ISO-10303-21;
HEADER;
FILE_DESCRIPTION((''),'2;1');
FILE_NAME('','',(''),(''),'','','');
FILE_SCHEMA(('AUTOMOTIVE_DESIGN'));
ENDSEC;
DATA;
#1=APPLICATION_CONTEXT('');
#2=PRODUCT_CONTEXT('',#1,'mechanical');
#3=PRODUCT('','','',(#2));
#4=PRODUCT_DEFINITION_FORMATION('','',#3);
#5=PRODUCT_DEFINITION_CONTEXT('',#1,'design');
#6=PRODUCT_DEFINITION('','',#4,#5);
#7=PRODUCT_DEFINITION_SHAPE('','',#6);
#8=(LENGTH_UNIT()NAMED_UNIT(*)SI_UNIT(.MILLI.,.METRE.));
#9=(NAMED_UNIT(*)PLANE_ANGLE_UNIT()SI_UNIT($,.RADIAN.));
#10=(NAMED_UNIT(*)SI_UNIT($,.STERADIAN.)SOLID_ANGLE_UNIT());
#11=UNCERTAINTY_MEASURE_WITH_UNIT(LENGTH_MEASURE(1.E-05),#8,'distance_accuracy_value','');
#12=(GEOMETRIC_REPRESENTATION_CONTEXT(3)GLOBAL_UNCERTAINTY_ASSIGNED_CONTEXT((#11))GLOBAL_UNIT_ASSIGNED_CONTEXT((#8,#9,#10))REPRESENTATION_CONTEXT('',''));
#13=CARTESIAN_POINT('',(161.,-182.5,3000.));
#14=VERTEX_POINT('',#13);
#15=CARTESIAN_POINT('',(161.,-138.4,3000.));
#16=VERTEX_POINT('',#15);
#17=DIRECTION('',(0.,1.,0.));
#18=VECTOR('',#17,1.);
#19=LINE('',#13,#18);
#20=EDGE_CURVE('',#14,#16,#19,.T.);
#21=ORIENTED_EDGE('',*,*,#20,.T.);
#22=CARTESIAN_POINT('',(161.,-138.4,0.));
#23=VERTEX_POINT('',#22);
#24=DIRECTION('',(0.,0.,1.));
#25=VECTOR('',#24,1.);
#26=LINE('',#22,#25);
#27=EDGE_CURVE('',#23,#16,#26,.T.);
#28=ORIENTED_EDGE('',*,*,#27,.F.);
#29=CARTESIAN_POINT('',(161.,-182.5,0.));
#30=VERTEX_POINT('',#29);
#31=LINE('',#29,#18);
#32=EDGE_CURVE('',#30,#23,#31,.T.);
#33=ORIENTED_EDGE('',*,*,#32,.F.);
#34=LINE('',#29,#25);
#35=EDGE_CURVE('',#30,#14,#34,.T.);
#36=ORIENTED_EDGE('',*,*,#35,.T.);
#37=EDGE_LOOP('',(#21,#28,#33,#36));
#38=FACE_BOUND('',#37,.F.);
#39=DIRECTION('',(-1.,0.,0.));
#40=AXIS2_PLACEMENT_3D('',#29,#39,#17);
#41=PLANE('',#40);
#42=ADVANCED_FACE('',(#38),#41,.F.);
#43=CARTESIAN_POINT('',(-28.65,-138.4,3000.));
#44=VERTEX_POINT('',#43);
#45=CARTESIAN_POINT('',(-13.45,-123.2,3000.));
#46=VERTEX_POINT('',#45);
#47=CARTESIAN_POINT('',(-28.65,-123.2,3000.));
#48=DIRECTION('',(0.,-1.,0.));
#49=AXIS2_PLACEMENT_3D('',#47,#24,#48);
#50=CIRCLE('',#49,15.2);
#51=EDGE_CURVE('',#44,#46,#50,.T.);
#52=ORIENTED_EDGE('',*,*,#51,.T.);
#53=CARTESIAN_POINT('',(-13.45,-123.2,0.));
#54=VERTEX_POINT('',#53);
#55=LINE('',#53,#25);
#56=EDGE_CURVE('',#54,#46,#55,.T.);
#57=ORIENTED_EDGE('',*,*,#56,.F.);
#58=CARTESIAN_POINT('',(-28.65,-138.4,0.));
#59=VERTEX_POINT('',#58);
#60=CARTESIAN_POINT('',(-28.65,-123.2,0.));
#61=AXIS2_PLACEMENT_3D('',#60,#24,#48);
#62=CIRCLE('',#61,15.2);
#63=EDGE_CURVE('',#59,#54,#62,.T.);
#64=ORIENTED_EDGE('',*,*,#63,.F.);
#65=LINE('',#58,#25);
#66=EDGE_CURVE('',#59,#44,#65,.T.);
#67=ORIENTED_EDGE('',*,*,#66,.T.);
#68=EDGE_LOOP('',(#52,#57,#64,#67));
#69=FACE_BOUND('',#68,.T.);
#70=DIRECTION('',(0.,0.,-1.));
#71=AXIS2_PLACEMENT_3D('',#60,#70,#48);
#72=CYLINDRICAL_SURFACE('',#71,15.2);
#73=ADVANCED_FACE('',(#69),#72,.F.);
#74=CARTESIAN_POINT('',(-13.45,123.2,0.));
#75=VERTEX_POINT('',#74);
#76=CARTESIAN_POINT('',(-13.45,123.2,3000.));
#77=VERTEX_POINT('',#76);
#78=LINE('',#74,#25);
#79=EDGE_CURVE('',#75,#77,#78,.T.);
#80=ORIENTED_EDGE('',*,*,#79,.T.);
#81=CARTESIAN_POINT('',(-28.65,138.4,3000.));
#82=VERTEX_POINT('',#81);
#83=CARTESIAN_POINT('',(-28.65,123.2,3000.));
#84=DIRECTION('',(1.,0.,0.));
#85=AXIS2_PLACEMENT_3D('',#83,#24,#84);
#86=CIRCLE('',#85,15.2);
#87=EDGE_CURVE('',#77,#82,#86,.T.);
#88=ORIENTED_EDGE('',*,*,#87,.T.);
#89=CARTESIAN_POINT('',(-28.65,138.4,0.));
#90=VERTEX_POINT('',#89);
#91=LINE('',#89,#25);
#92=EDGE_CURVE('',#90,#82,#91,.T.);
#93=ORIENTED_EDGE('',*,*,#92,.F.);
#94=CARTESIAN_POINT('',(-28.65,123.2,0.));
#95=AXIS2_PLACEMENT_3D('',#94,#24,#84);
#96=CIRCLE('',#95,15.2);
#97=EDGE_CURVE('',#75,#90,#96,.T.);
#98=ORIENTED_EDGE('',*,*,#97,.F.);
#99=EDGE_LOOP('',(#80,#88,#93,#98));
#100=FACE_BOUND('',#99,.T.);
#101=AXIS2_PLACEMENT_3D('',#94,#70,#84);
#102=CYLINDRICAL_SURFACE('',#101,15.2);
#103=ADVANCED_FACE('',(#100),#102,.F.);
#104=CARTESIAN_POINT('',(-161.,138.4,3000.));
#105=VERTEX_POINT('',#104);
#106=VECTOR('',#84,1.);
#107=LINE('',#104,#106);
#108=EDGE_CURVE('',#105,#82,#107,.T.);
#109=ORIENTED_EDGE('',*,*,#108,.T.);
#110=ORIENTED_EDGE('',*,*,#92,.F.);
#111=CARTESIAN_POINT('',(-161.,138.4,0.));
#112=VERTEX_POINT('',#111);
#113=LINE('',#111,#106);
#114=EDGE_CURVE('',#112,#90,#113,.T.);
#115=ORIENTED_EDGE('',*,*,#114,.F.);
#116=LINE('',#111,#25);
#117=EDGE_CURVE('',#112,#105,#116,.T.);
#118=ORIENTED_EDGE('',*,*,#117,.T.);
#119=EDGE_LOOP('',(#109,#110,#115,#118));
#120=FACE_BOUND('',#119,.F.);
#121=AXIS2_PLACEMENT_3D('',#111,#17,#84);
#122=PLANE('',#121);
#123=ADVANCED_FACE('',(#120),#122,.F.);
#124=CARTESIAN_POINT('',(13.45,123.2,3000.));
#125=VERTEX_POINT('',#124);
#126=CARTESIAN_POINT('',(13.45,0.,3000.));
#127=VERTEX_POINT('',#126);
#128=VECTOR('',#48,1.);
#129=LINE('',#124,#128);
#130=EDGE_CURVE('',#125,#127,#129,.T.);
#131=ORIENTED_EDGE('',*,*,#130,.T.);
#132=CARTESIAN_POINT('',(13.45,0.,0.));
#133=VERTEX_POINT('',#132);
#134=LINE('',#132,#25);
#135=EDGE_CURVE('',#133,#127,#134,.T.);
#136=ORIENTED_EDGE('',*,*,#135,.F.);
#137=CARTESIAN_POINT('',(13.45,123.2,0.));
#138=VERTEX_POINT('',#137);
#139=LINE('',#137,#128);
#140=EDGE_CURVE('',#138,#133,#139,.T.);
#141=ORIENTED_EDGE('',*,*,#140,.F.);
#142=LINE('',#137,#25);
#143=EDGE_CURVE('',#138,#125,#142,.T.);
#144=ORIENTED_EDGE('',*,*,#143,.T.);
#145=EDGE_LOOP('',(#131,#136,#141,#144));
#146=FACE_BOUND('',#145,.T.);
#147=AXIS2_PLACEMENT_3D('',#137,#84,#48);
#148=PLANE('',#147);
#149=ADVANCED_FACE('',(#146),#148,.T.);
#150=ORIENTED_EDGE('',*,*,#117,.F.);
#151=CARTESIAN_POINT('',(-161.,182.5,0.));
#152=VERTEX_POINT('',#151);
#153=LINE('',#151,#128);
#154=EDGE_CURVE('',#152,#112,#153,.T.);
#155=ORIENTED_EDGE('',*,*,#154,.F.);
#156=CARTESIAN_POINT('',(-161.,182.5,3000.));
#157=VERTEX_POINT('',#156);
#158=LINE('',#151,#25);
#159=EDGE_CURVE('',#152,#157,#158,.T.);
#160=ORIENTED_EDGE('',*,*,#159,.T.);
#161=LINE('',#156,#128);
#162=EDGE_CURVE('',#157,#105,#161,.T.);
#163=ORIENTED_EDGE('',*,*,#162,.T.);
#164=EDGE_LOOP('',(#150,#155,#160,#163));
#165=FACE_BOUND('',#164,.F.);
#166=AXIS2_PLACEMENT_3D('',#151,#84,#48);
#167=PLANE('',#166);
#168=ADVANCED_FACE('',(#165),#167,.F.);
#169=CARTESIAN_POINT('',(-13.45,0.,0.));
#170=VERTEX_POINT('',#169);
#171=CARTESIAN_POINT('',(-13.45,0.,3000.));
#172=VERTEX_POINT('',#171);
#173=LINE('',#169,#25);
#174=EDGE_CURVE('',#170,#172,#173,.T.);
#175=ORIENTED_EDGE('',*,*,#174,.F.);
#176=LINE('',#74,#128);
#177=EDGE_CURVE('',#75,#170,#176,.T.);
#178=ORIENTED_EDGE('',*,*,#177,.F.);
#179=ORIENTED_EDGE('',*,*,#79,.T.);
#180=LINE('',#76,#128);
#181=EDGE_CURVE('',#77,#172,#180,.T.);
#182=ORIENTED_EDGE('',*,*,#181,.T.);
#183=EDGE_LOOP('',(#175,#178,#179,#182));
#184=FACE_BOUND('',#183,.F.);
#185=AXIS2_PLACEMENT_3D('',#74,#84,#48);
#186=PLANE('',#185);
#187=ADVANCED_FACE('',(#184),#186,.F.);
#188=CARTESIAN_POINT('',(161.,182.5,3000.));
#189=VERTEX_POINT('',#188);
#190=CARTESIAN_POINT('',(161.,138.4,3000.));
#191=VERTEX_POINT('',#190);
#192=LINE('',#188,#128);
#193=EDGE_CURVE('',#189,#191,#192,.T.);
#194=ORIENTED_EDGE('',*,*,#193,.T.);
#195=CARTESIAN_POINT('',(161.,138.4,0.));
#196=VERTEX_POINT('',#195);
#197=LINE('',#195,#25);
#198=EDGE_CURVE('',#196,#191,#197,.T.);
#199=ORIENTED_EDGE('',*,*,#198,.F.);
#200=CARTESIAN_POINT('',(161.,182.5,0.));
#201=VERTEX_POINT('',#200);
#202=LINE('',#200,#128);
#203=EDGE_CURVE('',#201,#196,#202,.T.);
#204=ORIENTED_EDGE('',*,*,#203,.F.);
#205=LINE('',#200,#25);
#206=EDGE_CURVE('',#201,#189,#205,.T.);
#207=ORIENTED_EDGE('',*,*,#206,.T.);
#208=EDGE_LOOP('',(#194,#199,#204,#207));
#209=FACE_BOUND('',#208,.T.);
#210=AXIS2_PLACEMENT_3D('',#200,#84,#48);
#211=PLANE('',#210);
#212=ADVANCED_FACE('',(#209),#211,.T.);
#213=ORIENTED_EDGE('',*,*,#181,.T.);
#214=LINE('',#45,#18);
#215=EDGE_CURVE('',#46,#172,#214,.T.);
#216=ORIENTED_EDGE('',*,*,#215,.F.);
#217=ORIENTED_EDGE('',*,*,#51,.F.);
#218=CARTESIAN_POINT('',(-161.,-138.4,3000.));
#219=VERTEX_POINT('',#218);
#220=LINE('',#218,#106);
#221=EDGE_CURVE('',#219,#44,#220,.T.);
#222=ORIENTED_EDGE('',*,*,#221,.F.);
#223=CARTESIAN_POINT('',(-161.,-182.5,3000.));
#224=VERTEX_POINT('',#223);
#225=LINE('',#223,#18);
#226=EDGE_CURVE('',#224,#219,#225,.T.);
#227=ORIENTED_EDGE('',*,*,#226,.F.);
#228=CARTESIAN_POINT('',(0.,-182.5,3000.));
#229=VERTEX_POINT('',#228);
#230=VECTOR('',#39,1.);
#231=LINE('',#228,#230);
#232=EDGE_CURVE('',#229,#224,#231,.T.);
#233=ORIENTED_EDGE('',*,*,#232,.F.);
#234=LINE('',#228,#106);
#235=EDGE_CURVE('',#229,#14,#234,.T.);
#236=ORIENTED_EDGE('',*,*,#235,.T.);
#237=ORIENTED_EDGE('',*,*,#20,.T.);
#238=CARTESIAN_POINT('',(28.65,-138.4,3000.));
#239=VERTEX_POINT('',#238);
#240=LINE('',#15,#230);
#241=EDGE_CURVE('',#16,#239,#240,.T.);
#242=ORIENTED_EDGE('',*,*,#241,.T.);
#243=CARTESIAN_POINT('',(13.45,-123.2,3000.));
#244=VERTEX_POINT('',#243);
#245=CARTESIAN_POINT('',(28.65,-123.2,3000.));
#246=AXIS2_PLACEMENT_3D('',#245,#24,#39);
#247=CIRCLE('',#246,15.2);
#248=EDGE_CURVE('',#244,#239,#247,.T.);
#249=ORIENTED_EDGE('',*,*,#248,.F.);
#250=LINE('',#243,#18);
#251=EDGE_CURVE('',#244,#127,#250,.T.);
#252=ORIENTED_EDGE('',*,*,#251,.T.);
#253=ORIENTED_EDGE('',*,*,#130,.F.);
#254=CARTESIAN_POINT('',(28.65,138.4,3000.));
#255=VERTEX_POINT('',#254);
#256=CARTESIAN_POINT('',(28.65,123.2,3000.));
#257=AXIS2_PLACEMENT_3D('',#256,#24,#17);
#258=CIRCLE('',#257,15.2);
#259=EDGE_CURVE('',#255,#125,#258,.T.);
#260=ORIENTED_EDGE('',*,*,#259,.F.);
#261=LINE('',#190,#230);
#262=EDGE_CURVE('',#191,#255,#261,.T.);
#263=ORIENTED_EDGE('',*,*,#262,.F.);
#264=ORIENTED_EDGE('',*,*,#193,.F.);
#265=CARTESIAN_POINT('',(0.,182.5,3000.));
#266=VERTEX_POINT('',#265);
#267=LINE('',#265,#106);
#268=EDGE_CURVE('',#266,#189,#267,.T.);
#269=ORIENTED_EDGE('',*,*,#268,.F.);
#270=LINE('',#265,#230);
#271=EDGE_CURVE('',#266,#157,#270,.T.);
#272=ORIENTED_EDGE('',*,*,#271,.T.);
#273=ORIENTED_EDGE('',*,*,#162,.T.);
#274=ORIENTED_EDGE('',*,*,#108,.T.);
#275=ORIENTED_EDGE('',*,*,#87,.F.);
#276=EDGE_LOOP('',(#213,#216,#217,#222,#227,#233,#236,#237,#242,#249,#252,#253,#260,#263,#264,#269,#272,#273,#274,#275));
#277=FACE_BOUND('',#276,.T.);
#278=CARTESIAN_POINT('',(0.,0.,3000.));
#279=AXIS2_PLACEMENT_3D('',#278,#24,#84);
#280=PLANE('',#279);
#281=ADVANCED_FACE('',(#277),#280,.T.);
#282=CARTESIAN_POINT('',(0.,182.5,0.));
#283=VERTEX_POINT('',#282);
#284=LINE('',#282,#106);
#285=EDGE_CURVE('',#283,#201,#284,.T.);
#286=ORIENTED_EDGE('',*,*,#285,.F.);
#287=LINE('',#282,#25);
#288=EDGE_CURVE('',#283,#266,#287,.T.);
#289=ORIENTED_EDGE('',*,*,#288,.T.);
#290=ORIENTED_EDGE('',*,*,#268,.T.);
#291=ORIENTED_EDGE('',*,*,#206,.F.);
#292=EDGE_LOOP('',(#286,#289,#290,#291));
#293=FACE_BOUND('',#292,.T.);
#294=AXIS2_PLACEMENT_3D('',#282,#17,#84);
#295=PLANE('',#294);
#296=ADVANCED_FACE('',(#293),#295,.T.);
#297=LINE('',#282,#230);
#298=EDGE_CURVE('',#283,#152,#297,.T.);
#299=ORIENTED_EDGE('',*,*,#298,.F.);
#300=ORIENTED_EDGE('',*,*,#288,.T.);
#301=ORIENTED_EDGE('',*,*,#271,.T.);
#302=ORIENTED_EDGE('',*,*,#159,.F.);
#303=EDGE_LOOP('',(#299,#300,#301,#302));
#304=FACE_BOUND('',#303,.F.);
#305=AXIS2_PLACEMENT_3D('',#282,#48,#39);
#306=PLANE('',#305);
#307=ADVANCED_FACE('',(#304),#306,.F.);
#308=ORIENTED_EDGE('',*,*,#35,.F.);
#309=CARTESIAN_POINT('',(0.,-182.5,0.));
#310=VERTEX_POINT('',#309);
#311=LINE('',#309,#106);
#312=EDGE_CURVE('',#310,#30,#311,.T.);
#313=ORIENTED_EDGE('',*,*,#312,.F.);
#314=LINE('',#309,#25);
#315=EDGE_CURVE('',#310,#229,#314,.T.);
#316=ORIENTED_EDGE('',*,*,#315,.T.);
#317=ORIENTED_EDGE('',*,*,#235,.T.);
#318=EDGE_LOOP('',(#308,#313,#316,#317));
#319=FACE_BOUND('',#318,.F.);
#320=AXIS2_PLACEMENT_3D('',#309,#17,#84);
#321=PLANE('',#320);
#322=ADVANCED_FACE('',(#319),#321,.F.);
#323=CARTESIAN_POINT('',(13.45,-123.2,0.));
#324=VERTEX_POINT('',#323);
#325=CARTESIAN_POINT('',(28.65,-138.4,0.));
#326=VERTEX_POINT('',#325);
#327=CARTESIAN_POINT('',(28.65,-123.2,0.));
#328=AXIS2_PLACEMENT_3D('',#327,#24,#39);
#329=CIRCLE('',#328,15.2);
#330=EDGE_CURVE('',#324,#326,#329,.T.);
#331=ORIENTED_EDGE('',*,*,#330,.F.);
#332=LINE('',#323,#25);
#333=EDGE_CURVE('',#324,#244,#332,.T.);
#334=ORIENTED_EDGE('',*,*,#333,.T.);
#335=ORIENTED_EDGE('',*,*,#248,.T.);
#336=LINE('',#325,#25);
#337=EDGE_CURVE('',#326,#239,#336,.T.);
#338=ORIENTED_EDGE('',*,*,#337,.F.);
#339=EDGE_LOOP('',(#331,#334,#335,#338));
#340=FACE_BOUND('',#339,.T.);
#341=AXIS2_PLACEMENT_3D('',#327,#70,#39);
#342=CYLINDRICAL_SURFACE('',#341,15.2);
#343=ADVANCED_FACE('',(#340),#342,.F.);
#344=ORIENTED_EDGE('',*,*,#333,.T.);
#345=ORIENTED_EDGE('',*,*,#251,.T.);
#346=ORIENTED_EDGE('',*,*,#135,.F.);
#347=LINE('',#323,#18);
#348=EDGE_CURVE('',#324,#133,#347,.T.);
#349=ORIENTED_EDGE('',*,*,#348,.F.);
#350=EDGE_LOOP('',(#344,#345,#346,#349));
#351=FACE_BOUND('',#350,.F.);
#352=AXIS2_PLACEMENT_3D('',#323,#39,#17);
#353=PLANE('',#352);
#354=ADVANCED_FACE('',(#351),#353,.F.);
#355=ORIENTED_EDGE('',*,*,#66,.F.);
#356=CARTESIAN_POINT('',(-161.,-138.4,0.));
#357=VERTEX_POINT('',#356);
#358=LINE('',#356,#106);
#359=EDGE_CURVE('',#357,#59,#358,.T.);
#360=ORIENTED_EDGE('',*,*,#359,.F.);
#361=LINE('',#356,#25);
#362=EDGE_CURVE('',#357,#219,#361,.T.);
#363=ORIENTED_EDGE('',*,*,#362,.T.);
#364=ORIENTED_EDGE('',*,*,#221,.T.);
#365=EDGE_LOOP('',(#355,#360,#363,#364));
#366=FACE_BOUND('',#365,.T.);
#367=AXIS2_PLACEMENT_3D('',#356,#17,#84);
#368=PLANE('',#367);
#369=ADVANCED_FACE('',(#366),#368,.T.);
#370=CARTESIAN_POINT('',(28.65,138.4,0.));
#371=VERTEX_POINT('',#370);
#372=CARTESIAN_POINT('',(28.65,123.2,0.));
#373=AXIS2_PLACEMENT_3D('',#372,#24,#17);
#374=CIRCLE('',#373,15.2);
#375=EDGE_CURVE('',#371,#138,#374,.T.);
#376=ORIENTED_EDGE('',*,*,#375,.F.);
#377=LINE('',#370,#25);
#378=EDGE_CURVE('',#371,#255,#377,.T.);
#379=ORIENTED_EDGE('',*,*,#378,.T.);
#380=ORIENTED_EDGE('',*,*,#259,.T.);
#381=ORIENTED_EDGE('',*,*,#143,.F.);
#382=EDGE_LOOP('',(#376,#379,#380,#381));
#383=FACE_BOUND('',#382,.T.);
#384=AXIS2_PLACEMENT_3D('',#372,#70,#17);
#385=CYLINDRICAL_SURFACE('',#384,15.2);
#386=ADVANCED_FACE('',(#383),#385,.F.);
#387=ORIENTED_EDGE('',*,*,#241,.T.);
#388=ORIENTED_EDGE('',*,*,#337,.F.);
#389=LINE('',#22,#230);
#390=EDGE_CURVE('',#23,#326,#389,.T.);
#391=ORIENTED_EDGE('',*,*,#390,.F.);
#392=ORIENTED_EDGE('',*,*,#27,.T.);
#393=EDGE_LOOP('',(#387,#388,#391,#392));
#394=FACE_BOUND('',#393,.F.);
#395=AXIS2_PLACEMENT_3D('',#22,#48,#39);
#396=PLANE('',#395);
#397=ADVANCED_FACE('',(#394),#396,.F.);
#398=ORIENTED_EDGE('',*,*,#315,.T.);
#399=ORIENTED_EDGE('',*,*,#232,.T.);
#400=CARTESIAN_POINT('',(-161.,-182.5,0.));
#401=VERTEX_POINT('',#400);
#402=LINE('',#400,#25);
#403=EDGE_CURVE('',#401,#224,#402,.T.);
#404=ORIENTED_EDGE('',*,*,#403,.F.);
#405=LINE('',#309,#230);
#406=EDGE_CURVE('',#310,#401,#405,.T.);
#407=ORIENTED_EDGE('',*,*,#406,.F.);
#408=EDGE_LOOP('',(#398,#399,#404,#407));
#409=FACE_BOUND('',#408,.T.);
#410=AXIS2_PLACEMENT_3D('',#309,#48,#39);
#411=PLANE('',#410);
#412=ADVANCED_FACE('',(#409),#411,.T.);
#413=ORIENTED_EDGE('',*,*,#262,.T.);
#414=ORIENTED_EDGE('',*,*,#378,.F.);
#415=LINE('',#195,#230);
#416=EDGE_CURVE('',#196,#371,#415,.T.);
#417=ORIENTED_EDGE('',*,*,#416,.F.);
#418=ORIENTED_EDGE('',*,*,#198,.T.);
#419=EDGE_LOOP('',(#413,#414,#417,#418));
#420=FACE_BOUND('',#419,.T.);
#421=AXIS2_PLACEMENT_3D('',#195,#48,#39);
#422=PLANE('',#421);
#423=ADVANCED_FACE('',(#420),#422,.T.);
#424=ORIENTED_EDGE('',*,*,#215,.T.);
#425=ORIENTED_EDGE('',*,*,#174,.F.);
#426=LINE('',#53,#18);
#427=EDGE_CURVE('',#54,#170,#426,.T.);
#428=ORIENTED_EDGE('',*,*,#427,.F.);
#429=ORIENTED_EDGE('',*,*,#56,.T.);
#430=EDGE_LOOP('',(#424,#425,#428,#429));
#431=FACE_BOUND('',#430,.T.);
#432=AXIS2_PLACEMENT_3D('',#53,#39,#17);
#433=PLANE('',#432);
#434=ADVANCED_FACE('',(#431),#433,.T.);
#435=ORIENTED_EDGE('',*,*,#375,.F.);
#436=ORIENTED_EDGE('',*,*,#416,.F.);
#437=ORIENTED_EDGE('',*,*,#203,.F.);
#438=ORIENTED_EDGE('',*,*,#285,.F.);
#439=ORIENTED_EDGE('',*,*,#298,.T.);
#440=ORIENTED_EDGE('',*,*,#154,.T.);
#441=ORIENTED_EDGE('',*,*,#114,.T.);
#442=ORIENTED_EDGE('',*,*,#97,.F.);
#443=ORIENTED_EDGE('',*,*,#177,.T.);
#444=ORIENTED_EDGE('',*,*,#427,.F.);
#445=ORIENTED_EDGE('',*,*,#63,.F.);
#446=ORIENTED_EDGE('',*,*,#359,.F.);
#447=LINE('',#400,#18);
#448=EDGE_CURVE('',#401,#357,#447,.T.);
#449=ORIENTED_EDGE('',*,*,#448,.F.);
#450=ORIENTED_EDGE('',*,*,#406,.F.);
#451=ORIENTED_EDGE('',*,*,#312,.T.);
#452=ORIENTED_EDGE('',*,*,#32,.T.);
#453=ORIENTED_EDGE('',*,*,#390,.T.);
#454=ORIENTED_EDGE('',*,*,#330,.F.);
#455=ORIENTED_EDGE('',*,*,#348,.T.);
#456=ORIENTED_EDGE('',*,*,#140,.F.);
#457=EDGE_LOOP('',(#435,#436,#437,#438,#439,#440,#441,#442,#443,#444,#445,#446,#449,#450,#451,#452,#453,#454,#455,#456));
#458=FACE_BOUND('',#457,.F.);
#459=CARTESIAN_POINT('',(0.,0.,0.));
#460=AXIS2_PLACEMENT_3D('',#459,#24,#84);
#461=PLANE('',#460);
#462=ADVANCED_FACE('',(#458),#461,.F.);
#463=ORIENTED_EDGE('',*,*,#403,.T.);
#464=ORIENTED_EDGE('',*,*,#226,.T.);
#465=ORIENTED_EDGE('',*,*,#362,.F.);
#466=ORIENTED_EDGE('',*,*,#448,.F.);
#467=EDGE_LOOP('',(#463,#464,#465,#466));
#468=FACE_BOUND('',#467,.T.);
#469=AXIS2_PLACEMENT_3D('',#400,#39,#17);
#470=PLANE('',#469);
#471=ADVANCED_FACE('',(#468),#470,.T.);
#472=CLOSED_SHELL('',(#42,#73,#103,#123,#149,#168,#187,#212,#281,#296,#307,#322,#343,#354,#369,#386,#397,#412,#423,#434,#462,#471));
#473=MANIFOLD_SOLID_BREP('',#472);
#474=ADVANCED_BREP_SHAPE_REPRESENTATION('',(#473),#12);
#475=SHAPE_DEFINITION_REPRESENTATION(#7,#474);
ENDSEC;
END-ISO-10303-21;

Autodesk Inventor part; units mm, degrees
ref_plane "YZ Plane" through (0, 0, 0) normal (1, 0, 0) x (0, 1, 0)
ref_plane "Start plane" through (0, 0, 0) normal (0, 0, 1) x (1, 0, 0)
ref_plane "End plane" through (0, 0, 3000) normal (0, 0, 1) x (1, 0, 0)
sketch "Sketch" plane through (0, 0, 0) normal (0, 0, 1) x (1, 0, 0)
  line L0 (-161, -182.5) -> (-161, -138.4)
  line L1 (-161, -138.4) -> (-28.65, -138.4)
  line L2 (-13.45, -123.2) -> (-13.45, 0)
  line L3 (-13.45, 0) -> (0, 0) construction
  line L4 (0, 0) -> (0, -182.5) construction
  line L5 (0, -182.5) -> (-161, -182.5)
  line L6 (-60, 0) -> (80, 0) construction
  line L7 (0, -60) -> (0, 80) construction
  line L8 (161, -182.5) -> (161, -138.4)
  line L9 (161, -138.4) -> (28.65, -138.4)
  line L10 (13.45, -123.2) -> (13.45, 0)
  line L11 (13.45, 0) -> (0, 0) construction
  line L12 (0, -182.5) -> (161, -182.5)
  line L13 (-161, 182.5) -> (-161, 138.4)
  line L14 (-161, 138.4) -> (-28.65, 138.4)
  line L15 (-13.45, 123.2) -> (-13.45, 0)
  line L16 (0, 182.5) -> (-161, 182.5)
  line L17 (161, 182.5) -> (161, 138.4)
  line L18 (161, 138.4) -> (28.65, 138.4)
  line L19 (0, 182.5) -> (161, 182.5)
  line L20 (13.45, 123.2) -> (13.45, 0)
  arc A0 (-13.45, 123.2) -> (-28.65, 138.4) centre (-28.65, 123.2) ccw
  arc A1 (28.65, 138.4) -> (13.45, 123.2) centre (28.65, 123.2) ccw
  arc A2 (13.45, -123.2) -> (28.65, -138.4) centre (28.65, -123.2) ccw
  arc A3 (-28.65, -138.4) -> (-13.45, -123.2) centre (-28.65, -123.2) ccw
  line L21 (0, 108) -> (0, -88) construction
  line L22 (-88, 0) -> (108, 0) construction
  point P0 (-13.45, -138.4)
  point P1 (13.45, -138.4)
  point P2 (-13.45, 138.4)
  point P3 (13.45, 138.4)
  dimension "d1" = 182.5
  dimension "d2" = 44.1
  dimension "d3" = 161
  dimension "d4" = 13.45
  dimension "d10" = 15.2
extrude "Body" add sketch "Sketch" along normal up to surface (3000 mm away) from surface at 0
sketch "Sketch4" plane through (0, 0, 0) normal (0, 0, 1) x (1, 0, 0)
  line L0 (0, 0) -> (10, 0)
ref_plane "Work Plane3" through (0, 0, 0) normal (0, -1, 0) x (1, 0, 0)
sketch "Sketch5" plane through (0, 0, 0) normal (0, -1, 0) x (1, 0, 0)
  line L0 (-2, 0) -> (12, 0) projected
  line L1 (-2, 3000) -> (12, 3000) projected
  dimension "d14" = 3000
equation "\"d1\" = 0.5 * G_H"
equation "\"d2\" = G_T1"
equation "\"d3\" = 0.5 * G_W"
equation "\"d4\" = 0.5 * G_T"
equation "\"d10\" = G_IR"
equation "\"d5\" = G_L"
equation "\"G_W\" = 322"
equation "\"G_H\" = 365"
equation "\"G_T\" = 26.9"
equation "\"G_T1\" = 44.1"
equation "\"G_IR\" = 15.2"
equation "\"G_L\" = d14"
equation "\"G_OFFSET_START\" = 0"
equation "\"G_OFFSET_END\" = 0"
properties part number "AS 3679 - 310 UC - 283 - 3000" material "Steel, Mild"
